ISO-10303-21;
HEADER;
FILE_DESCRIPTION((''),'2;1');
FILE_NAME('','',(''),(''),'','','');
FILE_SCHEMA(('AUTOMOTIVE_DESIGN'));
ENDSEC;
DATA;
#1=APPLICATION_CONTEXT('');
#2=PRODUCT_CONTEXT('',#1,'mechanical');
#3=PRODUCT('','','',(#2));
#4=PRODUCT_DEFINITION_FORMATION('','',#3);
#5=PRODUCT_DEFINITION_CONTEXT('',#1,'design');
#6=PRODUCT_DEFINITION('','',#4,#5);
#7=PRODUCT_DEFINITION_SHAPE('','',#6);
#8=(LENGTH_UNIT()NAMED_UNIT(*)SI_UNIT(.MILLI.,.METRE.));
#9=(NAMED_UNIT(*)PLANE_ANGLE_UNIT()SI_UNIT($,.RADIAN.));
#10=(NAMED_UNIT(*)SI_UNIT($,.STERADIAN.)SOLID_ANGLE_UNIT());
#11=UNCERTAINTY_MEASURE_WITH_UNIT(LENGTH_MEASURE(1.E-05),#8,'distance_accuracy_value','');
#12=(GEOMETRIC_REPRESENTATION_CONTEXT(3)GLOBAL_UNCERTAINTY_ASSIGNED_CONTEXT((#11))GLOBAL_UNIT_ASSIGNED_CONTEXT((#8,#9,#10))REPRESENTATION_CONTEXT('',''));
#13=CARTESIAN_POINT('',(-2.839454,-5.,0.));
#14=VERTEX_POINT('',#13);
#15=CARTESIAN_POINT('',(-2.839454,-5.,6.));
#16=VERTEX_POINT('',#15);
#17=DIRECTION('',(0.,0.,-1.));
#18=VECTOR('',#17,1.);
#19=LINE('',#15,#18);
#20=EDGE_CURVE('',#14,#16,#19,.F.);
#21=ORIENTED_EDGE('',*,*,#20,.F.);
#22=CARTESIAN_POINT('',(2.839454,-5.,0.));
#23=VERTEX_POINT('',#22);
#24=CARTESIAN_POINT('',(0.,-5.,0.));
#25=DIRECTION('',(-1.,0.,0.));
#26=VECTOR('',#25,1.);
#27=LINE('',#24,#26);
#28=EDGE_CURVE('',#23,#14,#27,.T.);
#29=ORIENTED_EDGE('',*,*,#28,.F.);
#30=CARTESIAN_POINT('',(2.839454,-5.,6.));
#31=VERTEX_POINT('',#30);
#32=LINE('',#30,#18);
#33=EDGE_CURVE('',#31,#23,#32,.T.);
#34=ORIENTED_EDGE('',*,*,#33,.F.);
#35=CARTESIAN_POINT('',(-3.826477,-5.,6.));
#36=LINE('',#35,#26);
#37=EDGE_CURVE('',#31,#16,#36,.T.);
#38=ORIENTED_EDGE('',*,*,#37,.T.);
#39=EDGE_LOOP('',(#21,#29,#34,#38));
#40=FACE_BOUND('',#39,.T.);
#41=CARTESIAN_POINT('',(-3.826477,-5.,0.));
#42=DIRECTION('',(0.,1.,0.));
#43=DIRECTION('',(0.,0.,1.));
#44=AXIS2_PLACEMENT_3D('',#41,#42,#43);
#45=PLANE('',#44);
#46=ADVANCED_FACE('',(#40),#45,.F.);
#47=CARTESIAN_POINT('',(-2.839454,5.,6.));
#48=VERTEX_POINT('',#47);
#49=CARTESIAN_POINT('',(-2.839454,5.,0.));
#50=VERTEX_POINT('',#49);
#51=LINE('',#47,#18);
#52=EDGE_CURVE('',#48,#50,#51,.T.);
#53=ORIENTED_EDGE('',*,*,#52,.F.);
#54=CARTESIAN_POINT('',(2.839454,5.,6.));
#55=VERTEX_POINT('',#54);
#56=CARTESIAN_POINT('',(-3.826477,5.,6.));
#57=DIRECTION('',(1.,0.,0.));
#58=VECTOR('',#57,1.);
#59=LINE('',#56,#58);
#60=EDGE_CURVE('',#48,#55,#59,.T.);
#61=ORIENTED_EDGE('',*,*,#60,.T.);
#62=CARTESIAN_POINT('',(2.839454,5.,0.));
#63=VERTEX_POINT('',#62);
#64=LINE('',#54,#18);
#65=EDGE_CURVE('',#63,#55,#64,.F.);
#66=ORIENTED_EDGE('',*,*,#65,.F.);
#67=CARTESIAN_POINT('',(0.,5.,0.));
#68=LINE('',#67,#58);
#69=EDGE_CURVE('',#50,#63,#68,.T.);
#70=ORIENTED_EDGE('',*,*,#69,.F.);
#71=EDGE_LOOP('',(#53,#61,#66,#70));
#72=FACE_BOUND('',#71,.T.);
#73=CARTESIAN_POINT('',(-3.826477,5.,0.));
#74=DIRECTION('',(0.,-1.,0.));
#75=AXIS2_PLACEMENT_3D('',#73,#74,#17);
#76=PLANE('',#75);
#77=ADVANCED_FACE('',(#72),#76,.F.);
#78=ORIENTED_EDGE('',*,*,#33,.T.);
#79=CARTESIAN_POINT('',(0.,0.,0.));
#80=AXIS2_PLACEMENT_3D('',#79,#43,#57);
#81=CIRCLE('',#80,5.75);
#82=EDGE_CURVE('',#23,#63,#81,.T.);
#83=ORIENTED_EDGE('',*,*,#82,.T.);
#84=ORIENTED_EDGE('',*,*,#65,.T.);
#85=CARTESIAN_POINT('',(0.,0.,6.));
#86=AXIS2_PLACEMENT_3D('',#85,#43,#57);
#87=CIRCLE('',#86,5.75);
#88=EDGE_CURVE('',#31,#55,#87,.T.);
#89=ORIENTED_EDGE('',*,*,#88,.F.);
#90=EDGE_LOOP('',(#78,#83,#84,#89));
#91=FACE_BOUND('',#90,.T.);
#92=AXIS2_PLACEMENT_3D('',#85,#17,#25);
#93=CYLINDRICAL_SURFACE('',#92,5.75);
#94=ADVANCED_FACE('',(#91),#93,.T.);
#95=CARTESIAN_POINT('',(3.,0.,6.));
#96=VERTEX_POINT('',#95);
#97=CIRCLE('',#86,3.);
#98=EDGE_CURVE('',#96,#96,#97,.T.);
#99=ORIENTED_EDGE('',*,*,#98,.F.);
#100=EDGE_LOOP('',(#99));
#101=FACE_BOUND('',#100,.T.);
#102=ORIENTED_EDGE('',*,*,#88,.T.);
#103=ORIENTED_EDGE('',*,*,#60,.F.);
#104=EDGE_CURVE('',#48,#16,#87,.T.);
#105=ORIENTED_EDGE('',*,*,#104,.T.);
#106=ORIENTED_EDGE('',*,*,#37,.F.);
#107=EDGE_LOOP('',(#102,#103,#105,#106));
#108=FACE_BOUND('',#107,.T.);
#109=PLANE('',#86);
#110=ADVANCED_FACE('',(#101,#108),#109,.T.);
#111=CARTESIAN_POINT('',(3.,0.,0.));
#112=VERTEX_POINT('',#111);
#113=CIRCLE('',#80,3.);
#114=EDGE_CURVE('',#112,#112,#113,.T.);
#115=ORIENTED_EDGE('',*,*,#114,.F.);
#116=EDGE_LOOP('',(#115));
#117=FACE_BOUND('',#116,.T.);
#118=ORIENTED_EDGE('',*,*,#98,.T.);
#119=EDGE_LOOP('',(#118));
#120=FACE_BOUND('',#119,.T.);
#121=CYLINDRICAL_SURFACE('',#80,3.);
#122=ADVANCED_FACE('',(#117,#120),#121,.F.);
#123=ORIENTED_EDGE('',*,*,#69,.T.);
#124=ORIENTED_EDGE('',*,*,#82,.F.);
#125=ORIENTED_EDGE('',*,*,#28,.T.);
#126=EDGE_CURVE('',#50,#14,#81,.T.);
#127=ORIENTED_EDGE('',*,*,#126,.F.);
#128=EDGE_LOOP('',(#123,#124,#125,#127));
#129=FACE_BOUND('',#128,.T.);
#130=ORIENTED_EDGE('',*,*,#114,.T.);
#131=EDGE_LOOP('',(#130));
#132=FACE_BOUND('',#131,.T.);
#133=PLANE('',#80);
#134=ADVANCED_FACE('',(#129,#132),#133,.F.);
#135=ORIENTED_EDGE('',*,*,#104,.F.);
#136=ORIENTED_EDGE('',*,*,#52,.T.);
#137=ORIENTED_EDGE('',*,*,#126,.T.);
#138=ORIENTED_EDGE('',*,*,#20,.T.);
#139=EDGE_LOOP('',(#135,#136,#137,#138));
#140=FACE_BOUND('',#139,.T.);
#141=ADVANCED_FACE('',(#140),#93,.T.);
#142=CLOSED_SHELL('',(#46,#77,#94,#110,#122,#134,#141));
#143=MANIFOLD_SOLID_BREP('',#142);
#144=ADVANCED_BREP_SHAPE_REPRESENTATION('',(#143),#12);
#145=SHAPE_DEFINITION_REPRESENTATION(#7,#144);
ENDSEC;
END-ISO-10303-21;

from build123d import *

# Parameters (mm, degrees)
ESQUISSE1_R             = 5.75
BOSS_EXTRU_1_DEPTH      = 6
ESQUISSE2_R             = 3
ENL_V_MAT_EXTRU_1_DEPTH = 6
ESQUISSE3_W             = 7.65295353
ESQUISSE3_H             = 1.132637123
ENL_V_MAT_EXTRU_2_DEPTH = 11.105691466


with BuildPart() as part:
    # Esquisse1 → Boss.-Extru.1 (new body)
    with BuildSketch(Plane.XY):
        Circle(ESQUISSE1_R)
    extrude(amount=BOSS_EXTRU_1_DEPTH)

    # Esquisse2 → Enlèv. mat.-Extru.1 (cut)
    with BuildSketch(Plane.XY.offset(6)):
        Circle(ESQUISSE2_R)
    extrude(amount=-ENL_V_MAT_EXTRU_1_DEPTH, mode=Mode.SUBTRACT)

    # Esquisse3 → Enlèv. mat.-Extru.2 (cut, through all)
    with BuildSketch(Plane.XY.offset(6)):
        with Locations((0, 5.566318562)):
            Rectangle(ESQUISSE3_W, ESQUISSE3_H)
        with Locations((0, -5.566318562)):
            Rectangle(ESQUISSE3_W, ESQUISSE3_H)
    extrude(amount=-ENL_V_MAT_EXTRU_2_DEPTH, mode=Mode.SUBTRACT)


solid = part.part
